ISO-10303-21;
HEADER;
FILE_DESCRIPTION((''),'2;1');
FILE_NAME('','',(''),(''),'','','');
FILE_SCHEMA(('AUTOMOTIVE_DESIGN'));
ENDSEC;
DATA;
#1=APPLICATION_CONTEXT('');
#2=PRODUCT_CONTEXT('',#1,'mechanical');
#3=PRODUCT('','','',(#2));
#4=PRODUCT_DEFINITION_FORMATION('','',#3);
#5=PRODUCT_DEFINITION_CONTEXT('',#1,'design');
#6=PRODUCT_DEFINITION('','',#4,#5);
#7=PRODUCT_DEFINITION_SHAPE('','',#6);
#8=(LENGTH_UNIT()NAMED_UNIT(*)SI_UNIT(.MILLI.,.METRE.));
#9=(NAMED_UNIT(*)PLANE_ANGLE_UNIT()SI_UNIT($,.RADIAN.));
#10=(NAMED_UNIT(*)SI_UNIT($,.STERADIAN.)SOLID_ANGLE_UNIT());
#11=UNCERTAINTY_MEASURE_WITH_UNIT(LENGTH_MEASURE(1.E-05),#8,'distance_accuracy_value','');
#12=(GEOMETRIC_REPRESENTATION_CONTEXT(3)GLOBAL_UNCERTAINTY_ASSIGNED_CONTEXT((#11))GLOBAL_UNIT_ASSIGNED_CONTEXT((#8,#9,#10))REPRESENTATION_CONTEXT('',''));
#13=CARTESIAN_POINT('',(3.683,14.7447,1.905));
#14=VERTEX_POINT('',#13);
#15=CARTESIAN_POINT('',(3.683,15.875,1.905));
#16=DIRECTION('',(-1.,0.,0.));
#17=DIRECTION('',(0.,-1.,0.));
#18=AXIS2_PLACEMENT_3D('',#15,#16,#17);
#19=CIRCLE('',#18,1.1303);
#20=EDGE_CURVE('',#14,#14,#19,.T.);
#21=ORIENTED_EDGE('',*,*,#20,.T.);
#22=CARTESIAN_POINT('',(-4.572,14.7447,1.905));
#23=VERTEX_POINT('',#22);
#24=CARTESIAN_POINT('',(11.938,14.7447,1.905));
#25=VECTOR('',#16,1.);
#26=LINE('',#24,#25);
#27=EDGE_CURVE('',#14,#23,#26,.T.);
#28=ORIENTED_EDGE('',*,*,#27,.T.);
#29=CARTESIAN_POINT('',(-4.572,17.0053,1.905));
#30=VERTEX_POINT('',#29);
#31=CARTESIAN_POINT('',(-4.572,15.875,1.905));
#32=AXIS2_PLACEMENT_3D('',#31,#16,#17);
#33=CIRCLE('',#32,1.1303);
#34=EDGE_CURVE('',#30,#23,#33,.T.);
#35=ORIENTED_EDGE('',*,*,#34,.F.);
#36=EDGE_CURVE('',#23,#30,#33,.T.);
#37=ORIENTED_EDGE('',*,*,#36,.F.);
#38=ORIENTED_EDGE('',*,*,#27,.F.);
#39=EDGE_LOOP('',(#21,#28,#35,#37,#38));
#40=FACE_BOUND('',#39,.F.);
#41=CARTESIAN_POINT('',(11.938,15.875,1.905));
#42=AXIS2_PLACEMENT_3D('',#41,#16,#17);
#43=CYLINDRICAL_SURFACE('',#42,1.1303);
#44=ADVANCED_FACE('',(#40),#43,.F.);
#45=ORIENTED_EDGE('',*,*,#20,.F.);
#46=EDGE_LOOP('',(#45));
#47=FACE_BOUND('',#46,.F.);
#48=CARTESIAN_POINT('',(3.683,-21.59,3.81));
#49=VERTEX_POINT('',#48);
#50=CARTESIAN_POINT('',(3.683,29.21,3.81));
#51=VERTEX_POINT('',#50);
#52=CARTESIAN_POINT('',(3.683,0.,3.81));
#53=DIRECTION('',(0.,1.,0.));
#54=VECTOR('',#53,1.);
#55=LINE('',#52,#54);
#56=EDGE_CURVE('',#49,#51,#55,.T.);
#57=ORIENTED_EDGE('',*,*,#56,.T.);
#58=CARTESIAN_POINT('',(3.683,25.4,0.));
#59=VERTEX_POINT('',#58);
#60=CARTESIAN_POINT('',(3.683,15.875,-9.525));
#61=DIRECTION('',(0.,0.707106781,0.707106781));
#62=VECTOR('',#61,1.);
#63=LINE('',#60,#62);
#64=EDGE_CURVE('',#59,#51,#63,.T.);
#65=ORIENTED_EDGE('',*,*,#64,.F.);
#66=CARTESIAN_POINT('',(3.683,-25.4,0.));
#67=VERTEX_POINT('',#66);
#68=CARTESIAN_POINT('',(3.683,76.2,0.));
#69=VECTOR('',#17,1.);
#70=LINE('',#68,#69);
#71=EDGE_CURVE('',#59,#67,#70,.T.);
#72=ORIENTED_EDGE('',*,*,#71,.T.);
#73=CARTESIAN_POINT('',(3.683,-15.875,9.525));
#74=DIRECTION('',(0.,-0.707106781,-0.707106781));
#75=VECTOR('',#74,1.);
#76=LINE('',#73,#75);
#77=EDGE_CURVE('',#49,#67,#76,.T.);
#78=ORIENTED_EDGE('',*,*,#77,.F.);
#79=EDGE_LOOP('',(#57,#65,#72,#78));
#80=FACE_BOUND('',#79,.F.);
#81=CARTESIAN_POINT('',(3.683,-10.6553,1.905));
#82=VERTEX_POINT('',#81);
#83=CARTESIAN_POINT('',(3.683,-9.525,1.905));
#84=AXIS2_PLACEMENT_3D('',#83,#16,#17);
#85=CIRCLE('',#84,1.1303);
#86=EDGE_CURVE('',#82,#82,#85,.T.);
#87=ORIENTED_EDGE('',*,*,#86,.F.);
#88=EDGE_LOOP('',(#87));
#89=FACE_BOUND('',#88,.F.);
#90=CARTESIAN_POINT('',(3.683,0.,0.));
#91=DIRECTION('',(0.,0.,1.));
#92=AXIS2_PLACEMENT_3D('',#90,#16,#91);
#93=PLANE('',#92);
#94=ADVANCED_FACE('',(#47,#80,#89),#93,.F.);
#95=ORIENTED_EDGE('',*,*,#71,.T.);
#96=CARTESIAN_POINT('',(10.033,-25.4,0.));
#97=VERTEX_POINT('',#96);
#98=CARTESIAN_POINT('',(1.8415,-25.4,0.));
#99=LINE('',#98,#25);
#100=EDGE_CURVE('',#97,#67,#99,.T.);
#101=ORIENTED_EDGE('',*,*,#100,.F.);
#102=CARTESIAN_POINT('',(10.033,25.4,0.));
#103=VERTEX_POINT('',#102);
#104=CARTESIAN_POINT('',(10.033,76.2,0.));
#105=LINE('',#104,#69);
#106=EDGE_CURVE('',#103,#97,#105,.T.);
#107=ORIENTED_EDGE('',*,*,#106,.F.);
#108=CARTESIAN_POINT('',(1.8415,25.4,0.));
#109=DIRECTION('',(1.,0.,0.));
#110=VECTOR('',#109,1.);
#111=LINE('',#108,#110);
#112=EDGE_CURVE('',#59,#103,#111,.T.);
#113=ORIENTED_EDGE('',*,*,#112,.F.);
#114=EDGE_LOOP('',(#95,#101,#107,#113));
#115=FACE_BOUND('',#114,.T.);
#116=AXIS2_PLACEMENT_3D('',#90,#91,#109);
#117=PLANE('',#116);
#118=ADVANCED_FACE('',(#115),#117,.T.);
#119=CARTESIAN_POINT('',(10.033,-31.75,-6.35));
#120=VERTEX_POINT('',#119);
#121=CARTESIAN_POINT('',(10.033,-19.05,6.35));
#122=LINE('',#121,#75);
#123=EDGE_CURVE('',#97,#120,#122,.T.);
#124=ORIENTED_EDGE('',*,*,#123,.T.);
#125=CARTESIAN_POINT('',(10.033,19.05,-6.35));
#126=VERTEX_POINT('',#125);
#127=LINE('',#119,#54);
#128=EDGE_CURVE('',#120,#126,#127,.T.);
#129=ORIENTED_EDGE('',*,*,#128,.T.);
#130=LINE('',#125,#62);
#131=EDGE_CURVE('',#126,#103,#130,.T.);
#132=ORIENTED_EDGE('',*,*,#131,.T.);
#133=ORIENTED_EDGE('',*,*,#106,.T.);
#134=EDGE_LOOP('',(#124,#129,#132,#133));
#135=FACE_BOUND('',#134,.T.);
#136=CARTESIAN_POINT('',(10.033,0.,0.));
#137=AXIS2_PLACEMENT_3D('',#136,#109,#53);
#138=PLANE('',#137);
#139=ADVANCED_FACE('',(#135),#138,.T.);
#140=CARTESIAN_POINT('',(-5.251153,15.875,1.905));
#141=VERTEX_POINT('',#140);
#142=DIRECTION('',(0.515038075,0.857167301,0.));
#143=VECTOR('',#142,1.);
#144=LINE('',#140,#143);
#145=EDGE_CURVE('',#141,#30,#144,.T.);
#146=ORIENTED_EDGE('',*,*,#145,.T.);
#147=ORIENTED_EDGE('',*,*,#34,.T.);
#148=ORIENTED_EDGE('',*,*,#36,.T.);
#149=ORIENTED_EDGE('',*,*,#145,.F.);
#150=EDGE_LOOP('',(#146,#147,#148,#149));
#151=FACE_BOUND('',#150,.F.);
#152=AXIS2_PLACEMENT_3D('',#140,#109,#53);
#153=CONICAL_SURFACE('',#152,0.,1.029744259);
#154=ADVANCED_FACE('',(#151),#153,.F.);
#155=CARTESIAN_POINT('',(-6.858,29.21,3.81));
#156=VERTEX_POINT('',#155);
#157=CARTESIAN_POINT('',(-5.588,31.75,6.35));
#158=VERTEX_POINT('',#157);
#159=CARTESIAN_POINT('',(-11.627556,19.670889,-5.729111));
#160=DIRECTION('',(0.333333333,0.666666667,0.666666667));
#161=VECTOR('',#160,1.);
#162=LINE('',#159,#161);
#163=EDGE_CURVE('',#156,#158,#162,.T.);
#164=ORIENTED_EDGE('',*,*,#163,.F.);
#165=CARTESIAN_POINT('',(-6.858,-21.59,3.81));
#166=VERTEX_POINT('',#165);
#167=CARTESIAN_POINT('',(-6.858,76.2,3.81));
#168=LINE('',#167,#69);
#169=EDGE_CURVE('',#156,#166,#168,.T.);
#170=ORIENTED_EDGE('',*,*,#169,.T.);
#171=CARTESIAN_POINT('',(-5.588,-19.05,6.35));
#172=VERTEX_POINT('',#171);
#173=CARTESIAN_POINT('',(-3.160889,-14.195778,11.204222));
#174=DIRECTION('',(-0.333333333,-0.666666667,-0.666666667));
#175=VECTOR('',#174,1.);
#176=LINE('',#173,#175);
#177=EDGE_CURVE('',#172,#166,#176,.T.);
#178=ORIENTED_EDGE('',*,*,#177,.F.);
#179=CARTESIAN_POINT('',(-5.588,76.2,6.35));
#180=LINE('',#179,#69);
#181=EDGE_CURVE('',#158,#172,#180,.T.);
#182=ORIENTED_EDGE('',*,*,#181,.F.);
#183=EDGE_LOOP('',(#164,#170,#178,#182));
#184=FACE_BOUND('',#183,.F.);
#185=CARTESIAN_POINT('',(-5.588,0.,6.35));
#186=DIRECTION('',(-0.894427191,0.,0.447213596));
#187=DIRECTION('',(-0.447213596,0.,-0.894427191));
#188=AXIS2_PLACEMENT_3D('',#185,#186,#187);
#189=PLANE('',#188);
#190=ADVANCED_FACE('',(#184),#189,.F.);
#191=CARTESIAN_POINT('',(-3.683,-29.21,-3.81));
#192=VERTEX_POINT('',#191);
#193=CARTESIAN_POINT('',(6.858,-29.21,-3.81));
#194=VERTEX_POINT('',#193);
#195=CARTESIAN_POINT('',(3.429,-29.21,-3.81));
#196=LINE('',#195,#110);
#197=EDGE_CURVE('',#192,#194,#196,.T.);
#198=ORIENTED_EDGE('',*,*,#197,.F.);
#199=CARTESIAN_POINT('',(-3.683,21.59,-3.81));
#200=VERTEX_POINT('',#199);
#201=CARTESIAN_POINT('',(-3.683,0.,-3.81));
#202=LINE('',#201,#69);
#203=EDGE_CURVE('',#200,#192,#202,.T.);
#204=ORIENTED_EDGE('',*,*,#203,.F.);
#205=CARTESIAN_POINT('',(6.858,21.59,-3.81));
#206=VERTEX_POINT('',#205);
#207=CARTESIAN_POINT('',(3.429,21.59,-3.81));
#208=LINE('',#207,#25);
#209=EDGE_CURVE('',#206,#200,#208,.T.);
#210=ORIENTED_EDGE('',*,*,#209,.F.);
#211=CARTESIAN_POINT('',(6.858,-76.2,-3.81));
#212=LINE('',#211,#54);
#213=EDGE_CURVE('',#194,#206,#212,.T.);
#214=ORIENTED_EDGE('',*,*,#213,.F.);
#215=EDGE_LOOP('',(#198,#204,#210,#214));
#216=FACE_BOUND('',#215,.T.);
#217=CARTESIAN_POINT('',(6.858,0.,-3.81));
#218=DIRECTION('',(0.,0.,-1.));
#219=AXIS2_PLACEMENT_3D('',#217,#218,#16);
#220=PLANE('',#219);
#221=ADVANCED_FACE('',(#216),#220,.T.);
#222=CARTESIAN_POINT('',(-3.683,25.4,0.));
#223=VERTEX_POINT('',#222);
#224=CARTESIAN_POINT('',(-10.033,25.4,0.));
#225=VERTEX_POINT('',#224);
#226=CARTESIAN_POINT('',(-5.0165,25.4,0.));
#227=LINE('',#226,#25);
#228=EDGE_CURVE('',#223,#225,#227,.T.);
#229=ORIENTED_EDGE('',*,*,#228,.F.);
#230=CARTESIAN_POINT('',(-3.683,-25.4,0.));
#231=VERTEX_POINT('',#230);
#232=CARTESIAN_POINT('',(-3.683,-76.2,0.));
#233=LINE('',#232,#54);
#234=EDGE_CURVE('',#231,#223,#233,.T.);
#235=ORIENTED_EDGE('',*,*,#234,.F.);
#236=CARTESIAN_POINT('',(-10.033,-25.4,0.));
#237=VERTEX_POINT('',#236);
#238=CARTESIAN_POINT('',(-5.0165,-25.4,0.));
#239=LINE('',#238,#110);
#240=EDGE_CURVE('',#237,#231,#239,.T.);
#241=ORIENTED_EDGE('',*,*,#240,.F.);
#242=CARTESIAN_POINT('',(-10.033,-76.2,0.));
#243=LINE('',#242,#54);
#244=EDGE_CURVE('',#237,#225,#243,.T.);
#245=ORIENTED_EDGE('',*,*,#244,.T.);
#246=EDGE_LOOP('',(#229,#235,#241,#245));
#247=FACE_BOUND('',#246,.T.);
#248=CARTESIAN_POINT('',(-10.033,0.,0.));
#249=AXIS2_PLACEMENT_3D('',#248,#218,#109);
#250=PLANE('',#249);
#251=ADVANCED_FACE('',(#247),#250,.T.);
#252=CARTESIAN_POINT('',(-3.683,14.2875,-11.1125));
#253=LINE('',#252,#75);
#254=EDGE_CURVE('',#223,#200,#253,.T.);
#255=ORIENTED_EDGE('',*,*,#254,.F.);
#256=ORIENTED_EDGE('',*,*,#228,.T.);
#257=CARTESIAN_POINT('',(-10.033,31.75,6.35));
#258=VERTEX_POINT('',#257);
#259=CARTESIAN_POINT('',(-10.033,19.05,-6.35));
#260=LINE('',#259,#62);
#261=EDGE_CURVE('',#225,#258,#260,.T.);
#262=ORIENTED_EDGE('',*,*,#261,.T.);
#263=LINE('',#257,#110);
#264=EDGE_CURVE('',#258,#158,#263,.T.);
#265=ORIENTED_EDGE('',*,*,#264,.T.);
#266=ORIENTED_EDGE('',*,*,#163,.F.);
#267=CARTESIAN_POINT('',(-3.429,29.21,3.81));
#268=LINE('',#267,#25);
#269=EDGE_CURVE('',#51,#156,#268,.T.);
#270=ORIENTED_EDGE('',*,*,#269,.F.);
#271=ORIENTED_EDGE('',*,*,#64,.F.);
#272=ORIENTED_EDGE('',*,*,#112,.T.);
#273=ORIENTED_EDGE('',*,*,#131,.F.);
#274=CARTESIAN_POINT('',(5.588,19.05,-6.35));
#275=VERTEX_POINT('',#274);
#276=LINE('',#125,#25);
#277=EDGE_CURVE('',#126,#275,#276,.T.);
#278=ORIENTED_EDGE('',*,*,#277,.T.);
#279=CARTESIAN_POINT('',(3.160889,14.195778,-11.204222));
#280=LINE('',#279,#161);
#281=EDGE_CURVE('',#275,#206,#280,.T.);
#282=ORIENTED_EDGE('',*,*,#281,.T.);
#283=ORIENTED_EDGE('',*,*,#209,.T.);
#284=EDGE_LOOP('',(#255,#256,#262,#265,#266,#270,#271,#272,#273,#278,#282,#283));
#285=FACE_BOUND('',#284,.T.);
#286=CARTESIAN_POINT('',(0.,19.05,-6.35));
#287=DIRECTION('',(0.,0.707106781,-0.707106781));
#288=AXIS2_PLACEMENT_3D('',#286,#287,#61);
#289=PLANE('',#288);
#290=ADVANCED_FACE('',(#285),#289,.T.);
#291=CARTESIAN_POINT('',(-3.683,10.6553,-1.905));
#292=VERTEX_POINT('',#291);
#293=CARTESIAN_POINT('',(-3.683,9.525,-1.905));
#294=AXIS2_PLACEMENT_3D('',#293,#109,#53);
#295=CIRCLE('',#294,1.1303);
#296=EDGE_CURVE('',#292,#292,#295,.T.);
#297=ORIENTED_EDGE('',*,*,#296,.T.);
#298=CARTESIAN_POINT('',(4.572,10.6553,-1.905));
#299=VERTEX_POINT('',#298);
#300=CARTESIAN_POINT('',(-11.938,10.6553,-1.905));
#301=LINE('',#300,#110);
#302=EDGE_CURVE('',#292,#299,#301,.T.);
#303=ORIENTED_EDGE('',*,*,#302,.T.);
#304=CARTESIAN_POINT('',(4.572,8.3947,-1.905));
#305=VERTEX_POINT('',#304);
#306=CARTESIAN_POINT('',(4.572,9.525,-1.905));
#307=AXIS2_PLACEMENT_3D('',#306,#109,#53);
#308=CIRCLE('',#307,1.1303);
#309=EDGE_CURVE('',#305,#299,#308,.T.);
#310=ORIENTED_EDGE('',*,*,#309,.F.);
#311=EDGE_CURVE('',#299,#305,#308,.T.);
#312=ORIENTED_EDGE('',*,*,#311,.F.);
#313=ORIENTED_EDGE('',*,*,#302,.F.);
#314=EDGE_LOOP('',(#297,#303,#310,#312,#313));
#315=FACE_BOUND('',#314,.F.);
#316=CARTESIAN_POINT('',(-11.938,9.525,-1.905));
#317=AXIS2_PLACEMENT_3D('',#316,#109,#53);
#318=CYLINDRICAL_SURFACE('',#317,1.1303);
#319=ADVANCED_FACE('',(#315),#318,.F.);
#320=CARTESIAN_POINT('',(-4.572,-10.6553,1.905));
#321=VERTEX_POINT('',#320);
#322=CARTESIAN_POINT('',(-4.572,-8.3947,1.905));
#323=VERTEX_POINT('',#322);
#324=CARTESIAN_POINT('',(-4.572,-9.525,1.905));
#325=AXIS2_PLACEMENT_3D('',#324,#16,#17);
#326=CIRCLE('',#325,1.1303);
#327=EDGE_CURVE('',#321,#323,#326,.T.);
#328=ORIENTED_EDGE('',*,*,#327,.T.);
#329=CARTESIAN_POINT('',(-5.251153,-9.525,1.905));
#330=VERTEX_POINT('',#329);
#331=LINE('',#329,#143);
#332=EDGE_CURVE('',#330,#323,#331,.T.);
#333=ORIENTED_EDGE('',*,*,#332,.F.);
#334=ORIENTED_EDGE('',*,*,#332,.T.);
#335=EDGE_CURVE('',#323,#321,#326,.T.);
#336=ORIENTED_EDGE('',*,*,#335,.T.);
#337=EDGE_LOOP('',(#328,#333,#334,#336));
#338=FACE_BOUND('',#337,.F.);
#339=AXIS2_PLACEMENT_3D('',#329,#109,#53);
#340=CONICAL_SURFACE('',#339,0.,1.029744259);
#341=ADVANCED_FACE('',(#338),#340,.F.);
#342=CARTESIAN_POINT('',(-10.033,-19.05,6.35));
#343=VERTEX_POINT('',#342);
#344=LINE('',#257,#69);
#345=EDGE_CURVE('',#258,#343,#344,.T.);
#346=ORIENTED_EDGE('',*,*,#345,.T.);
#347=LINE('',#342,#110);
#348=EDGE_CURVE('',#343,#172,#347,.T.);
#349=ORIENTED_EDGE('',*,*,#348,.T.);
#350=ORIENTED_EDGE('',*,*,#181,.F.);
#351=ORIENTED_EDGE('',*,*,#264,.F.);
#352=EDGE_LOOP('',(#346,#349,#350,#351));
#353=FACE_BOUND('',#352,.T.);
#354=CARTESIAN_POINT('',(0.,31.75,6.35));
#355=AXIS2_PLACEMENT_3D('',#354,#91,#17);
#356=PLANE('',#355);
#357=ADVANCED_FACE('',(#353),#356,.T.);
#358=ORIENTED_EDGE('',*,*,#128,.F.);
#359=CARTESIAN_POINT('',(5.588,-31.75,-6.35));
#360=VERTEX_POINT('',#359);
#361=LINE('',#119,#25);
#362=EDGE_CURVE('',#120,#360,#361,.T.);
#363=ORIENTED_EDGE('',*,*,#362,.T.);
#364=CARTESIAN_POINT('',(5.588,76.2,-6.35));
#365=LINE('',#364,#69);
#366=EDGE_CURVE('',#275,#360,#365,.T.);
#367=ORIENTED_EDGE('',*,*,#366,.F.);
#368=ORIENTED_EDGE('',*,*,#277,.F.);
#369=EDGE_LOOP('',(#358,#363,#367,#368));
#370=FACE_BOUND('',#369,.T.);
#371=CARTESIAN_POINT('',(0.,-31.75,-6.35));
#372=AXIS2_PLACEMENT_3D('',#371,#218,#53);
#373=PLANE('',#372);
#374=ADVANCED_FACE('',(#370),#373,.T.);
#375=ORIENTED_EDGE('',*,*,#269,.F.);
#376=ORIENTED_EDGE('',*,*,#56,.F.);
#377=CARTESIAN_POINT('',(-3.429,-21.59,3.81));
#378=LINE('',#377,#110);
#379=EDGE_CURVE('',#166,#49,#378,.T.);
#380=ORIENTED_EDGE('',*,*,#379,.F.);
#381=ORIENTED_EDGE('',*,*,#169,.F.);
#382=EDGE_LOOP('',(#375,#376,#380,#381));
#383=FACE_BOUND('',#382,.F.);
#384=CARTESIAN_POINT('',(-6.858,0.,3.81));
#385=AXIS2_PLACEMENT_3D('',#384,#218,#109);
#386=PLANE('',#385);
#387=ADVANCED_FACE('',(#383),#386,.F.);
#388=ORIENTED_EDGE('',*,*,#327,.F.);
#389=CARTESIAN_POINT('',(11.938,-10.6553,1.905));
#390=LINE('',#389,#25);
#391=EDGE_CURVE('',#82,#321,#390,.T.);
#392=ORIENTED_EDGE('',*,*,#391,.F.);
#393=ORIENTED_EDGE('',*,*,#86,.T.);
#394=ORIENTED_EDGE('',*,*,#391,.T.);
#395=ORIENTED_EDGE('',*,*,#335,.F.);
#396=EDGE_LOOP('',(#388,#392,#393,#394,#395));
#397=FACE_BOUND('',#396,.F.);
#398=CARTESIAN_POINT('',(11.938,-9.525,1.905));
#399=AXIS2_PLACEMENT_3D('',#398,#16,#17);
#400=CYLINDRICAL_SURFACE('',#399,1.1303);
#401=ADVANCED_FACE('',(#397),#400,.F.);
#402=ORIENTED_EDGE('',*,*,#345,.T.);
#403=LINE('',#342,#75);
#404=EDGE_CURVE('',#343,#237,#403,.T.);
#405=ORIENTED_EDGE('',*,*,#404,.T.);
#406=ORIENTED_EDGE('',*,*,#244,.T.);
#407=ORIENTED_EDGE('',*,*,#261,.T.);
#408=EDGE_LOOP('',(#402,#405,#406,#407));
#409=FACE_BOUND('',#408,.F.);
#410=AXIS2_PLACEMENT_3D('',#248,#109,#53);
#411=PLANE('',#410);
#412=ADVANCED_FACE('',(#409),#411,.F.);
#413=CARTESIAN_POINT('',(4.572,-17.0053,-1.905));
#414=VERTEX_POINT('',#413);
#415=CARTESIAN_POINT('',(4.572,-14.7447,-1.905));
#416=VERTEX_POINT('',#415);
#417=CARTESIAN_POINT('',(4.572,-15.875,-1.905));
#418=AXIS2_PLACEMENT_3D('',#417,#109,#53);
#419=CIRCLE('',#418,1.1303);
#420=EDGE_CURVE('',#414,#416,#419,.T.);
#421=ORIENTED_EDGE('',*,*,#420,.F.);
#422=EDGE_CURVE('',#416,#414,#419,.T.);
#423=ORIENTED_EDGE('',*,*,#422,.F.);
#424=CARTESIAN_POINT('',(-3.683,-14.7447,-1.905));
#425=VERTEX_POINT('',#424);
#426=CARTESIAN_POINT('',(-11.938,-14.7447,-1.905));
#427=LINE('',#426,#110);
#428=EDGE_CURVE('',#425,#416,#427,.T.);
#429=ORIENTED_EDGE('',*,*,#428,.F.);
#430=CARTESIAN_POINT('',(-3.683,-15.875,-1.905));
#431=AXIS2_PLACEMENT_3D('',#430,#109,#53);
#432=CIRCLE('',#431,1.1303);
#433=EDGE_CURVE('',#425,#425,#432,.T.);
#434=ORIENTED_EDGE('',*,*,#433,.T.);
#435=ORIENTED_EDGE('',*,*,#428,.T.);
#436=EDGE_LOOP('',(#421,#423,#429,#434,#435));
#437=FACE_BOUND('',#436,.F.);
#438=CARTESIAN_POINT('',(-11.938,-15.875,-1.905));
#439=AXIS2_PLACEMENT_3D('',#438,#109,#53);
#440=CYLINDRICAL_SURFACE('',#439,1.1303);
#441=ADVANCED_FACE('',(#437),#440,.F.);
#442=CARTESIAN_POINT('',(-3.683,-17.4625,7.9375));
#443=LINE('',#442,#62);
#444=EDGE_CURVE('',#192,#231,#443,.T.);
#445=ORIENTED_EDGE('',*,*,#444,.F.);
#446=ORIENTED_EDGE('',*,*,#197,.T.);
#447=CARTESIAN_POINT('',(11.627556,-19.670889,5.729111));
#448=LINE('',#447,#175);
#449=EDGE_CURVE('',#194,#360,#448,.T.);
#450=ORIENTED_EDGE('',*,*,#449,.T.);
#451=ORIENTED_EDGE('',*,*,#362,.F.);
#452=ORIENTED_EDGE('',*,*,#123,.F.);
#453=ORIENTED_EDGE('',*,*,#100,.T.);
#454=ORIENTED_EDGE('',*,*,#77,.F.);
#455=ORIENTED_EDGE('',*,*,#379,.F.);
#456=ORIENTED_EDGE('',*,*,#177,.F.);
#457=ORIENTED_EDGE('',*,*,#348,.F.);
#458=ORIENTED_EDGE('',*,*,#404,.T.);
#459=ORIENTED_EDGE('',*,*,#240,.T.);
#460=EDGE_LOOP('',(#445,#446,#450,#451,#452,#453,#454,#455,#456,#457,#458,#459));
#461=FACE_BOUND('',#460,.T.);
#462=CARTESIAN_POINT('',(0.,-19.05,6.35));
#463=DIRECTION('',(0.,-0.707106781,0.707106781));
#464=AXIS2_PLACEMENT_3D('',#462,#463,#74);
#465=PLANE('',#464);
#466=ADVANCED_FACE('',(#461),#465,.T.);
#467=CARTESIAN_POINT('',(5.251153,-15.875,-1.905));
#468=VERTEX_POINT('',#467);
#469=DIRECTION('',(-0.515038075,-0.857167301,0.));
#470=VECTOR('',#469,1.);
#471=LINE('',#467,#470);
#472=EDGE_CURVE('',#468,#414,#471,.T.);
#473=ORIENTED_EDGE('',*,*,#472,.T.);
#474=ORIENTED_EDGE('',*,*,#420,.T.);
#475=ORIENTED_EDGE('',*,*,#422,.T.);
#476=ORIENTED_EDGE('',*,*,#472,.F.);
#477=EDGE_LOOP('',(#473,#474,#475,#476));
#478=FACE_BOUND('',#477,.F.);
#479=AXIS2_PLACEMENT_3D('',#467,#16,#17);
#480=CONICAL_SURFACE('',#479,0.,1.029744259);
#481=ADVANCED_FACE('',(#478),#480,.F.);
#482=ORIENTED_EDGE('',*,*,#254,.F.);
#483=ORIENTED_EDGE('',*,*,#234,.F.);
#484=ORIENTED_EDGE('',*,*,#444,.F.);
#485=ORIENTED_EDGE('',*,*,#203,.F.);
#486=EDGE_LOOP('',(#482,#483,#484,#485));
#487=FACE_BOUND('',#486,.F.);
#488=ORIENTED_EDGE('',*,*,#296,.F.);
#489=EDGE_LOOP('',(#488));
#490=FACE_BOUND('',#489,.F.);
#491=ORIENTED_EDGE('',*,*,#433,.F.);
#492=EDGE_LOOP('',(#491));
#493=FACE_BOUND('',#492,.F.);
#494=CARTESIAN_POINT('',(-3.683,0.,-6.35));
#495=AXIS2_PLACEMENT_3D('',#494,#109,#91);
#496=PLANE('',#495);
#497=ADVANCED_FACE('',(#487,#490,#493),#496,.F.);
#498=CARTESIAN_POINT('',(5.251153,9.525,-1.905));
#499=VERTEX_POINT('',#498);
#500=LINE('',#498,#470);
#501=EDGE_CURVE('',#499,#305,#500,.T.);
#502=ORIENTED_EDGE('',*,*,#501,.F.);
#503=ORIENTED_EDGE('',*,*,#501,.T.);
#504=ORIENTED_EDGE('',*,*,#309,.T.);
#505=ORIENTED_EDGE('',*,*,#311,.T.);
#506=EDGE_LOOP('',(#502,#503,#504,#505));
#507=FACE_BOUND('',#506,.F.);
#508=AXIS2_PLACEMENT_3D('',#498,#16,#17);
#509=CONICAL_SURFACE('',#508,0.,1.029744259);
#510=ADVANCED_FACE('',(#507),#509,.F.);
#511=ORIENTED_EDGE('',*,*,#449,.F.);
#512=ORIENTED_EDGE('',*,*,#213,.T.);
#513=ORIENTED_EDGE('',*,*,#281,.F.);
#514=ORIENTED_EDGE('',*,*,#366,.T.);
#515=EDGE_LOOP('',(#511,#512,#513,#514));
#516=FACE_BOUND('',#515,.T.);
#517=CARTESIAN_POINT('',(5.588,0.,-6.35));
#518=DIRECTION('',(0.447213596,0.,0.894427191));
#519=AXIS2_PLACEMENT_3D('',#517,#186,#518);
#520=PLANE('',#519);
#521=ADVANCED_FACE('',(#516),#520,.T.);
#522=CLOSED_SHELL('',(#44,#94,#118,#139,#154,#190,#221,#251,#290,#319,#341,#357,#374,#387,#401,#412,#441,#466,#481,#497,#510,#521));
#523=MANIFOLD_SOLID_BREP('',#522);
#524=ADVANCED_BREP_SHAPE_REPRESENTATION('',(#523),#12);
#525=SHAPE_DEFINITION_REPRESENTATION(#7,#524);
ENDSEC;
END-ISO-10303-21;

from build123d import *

# Parameters (mm, degrees)
F1_DEPTH = 10.033
F3_DEPTH = 76.2
F4_W     = 6.35
F4_H     = 6.35
F5_DEPTH = 76.2
F7_D     = 2.2606
F7_DEPTH = 8.255
F7_TIP   = 0.6791527577
F9_D     = 2.2606
F9_DEPTH = 8.255
F9_TIP   = 0.6791527577


with BuildPart() as f1:
    # F0 (on Right) → F1 (new body, symmetric)
    with BuildSketch(Plane.YZ):
        Polygon((19.05, -6.35), (31.75, 6.35), (-19.05, 6.35), (-31.75, -6.35), align=None)
    extrude(amount=F1_DEPTH, both=True)

    # F2 (on Front) → F3 (cut, symmetric)
    with BuildSketch(Plane.XZ):
        Polygon((-6.858, -3.81), (-5.588, -6.35), (5.588, -6.35), (6.858, -3.81), align=None)
        Polygon((5.588, 6.35), (-5.588, 6.35), (-6.858, 3.81), (6.858, 3.81), align=None)
    extrude(amount=F3_DEPTH, both=True, mode=Mode.SUBTRACT)

    # F4 (on Front) → F5 (cut, symmetric)
    with BuildSketch(Plane.XZ):
        with Locations((6.858, 3.175)):
            Rectangle(F4_W, F4_H)
        with Locations((-6.858, -3.175)):
            Rectangle(F4_W, F4_H)
    extrude(amount=F5_DEPTH, both=True, mode=Mode.SUBTRACT)

    # F7
    with Locations(Plane.YZ.offset(3.683)):
        with Locations((-9.525, 1.905), (15.875, 1.905)):
            Hole(F7_D / 2, depth=F7_DEPTH)
            with Locations((0, 0, -(F7_DEPTH + F7_TIP / 2))):  # 118° drill point
                Cone(0, F7_D / 2, F7_TIP, mode=Mode.SUBTRACT)

    # F9
    with Locations(Plane(origin=(-3.683, 0, 0), x_dir=(0, -1, 0), z_dir=(-1, 0, 0))):
        with Locations((-9.525, -1.905), (15.875, -1.905)):
            Hole(F9_D / 2, depth=F9_DEPTH)
            with Locations((0, 0, -(F9_DEPTH + F9_TIP / 2))):  # 118° drill point
                Cone(0, F9_D / 2, F9_TIP, mode=Mode.SUBTRACT)


solid = f1.part
